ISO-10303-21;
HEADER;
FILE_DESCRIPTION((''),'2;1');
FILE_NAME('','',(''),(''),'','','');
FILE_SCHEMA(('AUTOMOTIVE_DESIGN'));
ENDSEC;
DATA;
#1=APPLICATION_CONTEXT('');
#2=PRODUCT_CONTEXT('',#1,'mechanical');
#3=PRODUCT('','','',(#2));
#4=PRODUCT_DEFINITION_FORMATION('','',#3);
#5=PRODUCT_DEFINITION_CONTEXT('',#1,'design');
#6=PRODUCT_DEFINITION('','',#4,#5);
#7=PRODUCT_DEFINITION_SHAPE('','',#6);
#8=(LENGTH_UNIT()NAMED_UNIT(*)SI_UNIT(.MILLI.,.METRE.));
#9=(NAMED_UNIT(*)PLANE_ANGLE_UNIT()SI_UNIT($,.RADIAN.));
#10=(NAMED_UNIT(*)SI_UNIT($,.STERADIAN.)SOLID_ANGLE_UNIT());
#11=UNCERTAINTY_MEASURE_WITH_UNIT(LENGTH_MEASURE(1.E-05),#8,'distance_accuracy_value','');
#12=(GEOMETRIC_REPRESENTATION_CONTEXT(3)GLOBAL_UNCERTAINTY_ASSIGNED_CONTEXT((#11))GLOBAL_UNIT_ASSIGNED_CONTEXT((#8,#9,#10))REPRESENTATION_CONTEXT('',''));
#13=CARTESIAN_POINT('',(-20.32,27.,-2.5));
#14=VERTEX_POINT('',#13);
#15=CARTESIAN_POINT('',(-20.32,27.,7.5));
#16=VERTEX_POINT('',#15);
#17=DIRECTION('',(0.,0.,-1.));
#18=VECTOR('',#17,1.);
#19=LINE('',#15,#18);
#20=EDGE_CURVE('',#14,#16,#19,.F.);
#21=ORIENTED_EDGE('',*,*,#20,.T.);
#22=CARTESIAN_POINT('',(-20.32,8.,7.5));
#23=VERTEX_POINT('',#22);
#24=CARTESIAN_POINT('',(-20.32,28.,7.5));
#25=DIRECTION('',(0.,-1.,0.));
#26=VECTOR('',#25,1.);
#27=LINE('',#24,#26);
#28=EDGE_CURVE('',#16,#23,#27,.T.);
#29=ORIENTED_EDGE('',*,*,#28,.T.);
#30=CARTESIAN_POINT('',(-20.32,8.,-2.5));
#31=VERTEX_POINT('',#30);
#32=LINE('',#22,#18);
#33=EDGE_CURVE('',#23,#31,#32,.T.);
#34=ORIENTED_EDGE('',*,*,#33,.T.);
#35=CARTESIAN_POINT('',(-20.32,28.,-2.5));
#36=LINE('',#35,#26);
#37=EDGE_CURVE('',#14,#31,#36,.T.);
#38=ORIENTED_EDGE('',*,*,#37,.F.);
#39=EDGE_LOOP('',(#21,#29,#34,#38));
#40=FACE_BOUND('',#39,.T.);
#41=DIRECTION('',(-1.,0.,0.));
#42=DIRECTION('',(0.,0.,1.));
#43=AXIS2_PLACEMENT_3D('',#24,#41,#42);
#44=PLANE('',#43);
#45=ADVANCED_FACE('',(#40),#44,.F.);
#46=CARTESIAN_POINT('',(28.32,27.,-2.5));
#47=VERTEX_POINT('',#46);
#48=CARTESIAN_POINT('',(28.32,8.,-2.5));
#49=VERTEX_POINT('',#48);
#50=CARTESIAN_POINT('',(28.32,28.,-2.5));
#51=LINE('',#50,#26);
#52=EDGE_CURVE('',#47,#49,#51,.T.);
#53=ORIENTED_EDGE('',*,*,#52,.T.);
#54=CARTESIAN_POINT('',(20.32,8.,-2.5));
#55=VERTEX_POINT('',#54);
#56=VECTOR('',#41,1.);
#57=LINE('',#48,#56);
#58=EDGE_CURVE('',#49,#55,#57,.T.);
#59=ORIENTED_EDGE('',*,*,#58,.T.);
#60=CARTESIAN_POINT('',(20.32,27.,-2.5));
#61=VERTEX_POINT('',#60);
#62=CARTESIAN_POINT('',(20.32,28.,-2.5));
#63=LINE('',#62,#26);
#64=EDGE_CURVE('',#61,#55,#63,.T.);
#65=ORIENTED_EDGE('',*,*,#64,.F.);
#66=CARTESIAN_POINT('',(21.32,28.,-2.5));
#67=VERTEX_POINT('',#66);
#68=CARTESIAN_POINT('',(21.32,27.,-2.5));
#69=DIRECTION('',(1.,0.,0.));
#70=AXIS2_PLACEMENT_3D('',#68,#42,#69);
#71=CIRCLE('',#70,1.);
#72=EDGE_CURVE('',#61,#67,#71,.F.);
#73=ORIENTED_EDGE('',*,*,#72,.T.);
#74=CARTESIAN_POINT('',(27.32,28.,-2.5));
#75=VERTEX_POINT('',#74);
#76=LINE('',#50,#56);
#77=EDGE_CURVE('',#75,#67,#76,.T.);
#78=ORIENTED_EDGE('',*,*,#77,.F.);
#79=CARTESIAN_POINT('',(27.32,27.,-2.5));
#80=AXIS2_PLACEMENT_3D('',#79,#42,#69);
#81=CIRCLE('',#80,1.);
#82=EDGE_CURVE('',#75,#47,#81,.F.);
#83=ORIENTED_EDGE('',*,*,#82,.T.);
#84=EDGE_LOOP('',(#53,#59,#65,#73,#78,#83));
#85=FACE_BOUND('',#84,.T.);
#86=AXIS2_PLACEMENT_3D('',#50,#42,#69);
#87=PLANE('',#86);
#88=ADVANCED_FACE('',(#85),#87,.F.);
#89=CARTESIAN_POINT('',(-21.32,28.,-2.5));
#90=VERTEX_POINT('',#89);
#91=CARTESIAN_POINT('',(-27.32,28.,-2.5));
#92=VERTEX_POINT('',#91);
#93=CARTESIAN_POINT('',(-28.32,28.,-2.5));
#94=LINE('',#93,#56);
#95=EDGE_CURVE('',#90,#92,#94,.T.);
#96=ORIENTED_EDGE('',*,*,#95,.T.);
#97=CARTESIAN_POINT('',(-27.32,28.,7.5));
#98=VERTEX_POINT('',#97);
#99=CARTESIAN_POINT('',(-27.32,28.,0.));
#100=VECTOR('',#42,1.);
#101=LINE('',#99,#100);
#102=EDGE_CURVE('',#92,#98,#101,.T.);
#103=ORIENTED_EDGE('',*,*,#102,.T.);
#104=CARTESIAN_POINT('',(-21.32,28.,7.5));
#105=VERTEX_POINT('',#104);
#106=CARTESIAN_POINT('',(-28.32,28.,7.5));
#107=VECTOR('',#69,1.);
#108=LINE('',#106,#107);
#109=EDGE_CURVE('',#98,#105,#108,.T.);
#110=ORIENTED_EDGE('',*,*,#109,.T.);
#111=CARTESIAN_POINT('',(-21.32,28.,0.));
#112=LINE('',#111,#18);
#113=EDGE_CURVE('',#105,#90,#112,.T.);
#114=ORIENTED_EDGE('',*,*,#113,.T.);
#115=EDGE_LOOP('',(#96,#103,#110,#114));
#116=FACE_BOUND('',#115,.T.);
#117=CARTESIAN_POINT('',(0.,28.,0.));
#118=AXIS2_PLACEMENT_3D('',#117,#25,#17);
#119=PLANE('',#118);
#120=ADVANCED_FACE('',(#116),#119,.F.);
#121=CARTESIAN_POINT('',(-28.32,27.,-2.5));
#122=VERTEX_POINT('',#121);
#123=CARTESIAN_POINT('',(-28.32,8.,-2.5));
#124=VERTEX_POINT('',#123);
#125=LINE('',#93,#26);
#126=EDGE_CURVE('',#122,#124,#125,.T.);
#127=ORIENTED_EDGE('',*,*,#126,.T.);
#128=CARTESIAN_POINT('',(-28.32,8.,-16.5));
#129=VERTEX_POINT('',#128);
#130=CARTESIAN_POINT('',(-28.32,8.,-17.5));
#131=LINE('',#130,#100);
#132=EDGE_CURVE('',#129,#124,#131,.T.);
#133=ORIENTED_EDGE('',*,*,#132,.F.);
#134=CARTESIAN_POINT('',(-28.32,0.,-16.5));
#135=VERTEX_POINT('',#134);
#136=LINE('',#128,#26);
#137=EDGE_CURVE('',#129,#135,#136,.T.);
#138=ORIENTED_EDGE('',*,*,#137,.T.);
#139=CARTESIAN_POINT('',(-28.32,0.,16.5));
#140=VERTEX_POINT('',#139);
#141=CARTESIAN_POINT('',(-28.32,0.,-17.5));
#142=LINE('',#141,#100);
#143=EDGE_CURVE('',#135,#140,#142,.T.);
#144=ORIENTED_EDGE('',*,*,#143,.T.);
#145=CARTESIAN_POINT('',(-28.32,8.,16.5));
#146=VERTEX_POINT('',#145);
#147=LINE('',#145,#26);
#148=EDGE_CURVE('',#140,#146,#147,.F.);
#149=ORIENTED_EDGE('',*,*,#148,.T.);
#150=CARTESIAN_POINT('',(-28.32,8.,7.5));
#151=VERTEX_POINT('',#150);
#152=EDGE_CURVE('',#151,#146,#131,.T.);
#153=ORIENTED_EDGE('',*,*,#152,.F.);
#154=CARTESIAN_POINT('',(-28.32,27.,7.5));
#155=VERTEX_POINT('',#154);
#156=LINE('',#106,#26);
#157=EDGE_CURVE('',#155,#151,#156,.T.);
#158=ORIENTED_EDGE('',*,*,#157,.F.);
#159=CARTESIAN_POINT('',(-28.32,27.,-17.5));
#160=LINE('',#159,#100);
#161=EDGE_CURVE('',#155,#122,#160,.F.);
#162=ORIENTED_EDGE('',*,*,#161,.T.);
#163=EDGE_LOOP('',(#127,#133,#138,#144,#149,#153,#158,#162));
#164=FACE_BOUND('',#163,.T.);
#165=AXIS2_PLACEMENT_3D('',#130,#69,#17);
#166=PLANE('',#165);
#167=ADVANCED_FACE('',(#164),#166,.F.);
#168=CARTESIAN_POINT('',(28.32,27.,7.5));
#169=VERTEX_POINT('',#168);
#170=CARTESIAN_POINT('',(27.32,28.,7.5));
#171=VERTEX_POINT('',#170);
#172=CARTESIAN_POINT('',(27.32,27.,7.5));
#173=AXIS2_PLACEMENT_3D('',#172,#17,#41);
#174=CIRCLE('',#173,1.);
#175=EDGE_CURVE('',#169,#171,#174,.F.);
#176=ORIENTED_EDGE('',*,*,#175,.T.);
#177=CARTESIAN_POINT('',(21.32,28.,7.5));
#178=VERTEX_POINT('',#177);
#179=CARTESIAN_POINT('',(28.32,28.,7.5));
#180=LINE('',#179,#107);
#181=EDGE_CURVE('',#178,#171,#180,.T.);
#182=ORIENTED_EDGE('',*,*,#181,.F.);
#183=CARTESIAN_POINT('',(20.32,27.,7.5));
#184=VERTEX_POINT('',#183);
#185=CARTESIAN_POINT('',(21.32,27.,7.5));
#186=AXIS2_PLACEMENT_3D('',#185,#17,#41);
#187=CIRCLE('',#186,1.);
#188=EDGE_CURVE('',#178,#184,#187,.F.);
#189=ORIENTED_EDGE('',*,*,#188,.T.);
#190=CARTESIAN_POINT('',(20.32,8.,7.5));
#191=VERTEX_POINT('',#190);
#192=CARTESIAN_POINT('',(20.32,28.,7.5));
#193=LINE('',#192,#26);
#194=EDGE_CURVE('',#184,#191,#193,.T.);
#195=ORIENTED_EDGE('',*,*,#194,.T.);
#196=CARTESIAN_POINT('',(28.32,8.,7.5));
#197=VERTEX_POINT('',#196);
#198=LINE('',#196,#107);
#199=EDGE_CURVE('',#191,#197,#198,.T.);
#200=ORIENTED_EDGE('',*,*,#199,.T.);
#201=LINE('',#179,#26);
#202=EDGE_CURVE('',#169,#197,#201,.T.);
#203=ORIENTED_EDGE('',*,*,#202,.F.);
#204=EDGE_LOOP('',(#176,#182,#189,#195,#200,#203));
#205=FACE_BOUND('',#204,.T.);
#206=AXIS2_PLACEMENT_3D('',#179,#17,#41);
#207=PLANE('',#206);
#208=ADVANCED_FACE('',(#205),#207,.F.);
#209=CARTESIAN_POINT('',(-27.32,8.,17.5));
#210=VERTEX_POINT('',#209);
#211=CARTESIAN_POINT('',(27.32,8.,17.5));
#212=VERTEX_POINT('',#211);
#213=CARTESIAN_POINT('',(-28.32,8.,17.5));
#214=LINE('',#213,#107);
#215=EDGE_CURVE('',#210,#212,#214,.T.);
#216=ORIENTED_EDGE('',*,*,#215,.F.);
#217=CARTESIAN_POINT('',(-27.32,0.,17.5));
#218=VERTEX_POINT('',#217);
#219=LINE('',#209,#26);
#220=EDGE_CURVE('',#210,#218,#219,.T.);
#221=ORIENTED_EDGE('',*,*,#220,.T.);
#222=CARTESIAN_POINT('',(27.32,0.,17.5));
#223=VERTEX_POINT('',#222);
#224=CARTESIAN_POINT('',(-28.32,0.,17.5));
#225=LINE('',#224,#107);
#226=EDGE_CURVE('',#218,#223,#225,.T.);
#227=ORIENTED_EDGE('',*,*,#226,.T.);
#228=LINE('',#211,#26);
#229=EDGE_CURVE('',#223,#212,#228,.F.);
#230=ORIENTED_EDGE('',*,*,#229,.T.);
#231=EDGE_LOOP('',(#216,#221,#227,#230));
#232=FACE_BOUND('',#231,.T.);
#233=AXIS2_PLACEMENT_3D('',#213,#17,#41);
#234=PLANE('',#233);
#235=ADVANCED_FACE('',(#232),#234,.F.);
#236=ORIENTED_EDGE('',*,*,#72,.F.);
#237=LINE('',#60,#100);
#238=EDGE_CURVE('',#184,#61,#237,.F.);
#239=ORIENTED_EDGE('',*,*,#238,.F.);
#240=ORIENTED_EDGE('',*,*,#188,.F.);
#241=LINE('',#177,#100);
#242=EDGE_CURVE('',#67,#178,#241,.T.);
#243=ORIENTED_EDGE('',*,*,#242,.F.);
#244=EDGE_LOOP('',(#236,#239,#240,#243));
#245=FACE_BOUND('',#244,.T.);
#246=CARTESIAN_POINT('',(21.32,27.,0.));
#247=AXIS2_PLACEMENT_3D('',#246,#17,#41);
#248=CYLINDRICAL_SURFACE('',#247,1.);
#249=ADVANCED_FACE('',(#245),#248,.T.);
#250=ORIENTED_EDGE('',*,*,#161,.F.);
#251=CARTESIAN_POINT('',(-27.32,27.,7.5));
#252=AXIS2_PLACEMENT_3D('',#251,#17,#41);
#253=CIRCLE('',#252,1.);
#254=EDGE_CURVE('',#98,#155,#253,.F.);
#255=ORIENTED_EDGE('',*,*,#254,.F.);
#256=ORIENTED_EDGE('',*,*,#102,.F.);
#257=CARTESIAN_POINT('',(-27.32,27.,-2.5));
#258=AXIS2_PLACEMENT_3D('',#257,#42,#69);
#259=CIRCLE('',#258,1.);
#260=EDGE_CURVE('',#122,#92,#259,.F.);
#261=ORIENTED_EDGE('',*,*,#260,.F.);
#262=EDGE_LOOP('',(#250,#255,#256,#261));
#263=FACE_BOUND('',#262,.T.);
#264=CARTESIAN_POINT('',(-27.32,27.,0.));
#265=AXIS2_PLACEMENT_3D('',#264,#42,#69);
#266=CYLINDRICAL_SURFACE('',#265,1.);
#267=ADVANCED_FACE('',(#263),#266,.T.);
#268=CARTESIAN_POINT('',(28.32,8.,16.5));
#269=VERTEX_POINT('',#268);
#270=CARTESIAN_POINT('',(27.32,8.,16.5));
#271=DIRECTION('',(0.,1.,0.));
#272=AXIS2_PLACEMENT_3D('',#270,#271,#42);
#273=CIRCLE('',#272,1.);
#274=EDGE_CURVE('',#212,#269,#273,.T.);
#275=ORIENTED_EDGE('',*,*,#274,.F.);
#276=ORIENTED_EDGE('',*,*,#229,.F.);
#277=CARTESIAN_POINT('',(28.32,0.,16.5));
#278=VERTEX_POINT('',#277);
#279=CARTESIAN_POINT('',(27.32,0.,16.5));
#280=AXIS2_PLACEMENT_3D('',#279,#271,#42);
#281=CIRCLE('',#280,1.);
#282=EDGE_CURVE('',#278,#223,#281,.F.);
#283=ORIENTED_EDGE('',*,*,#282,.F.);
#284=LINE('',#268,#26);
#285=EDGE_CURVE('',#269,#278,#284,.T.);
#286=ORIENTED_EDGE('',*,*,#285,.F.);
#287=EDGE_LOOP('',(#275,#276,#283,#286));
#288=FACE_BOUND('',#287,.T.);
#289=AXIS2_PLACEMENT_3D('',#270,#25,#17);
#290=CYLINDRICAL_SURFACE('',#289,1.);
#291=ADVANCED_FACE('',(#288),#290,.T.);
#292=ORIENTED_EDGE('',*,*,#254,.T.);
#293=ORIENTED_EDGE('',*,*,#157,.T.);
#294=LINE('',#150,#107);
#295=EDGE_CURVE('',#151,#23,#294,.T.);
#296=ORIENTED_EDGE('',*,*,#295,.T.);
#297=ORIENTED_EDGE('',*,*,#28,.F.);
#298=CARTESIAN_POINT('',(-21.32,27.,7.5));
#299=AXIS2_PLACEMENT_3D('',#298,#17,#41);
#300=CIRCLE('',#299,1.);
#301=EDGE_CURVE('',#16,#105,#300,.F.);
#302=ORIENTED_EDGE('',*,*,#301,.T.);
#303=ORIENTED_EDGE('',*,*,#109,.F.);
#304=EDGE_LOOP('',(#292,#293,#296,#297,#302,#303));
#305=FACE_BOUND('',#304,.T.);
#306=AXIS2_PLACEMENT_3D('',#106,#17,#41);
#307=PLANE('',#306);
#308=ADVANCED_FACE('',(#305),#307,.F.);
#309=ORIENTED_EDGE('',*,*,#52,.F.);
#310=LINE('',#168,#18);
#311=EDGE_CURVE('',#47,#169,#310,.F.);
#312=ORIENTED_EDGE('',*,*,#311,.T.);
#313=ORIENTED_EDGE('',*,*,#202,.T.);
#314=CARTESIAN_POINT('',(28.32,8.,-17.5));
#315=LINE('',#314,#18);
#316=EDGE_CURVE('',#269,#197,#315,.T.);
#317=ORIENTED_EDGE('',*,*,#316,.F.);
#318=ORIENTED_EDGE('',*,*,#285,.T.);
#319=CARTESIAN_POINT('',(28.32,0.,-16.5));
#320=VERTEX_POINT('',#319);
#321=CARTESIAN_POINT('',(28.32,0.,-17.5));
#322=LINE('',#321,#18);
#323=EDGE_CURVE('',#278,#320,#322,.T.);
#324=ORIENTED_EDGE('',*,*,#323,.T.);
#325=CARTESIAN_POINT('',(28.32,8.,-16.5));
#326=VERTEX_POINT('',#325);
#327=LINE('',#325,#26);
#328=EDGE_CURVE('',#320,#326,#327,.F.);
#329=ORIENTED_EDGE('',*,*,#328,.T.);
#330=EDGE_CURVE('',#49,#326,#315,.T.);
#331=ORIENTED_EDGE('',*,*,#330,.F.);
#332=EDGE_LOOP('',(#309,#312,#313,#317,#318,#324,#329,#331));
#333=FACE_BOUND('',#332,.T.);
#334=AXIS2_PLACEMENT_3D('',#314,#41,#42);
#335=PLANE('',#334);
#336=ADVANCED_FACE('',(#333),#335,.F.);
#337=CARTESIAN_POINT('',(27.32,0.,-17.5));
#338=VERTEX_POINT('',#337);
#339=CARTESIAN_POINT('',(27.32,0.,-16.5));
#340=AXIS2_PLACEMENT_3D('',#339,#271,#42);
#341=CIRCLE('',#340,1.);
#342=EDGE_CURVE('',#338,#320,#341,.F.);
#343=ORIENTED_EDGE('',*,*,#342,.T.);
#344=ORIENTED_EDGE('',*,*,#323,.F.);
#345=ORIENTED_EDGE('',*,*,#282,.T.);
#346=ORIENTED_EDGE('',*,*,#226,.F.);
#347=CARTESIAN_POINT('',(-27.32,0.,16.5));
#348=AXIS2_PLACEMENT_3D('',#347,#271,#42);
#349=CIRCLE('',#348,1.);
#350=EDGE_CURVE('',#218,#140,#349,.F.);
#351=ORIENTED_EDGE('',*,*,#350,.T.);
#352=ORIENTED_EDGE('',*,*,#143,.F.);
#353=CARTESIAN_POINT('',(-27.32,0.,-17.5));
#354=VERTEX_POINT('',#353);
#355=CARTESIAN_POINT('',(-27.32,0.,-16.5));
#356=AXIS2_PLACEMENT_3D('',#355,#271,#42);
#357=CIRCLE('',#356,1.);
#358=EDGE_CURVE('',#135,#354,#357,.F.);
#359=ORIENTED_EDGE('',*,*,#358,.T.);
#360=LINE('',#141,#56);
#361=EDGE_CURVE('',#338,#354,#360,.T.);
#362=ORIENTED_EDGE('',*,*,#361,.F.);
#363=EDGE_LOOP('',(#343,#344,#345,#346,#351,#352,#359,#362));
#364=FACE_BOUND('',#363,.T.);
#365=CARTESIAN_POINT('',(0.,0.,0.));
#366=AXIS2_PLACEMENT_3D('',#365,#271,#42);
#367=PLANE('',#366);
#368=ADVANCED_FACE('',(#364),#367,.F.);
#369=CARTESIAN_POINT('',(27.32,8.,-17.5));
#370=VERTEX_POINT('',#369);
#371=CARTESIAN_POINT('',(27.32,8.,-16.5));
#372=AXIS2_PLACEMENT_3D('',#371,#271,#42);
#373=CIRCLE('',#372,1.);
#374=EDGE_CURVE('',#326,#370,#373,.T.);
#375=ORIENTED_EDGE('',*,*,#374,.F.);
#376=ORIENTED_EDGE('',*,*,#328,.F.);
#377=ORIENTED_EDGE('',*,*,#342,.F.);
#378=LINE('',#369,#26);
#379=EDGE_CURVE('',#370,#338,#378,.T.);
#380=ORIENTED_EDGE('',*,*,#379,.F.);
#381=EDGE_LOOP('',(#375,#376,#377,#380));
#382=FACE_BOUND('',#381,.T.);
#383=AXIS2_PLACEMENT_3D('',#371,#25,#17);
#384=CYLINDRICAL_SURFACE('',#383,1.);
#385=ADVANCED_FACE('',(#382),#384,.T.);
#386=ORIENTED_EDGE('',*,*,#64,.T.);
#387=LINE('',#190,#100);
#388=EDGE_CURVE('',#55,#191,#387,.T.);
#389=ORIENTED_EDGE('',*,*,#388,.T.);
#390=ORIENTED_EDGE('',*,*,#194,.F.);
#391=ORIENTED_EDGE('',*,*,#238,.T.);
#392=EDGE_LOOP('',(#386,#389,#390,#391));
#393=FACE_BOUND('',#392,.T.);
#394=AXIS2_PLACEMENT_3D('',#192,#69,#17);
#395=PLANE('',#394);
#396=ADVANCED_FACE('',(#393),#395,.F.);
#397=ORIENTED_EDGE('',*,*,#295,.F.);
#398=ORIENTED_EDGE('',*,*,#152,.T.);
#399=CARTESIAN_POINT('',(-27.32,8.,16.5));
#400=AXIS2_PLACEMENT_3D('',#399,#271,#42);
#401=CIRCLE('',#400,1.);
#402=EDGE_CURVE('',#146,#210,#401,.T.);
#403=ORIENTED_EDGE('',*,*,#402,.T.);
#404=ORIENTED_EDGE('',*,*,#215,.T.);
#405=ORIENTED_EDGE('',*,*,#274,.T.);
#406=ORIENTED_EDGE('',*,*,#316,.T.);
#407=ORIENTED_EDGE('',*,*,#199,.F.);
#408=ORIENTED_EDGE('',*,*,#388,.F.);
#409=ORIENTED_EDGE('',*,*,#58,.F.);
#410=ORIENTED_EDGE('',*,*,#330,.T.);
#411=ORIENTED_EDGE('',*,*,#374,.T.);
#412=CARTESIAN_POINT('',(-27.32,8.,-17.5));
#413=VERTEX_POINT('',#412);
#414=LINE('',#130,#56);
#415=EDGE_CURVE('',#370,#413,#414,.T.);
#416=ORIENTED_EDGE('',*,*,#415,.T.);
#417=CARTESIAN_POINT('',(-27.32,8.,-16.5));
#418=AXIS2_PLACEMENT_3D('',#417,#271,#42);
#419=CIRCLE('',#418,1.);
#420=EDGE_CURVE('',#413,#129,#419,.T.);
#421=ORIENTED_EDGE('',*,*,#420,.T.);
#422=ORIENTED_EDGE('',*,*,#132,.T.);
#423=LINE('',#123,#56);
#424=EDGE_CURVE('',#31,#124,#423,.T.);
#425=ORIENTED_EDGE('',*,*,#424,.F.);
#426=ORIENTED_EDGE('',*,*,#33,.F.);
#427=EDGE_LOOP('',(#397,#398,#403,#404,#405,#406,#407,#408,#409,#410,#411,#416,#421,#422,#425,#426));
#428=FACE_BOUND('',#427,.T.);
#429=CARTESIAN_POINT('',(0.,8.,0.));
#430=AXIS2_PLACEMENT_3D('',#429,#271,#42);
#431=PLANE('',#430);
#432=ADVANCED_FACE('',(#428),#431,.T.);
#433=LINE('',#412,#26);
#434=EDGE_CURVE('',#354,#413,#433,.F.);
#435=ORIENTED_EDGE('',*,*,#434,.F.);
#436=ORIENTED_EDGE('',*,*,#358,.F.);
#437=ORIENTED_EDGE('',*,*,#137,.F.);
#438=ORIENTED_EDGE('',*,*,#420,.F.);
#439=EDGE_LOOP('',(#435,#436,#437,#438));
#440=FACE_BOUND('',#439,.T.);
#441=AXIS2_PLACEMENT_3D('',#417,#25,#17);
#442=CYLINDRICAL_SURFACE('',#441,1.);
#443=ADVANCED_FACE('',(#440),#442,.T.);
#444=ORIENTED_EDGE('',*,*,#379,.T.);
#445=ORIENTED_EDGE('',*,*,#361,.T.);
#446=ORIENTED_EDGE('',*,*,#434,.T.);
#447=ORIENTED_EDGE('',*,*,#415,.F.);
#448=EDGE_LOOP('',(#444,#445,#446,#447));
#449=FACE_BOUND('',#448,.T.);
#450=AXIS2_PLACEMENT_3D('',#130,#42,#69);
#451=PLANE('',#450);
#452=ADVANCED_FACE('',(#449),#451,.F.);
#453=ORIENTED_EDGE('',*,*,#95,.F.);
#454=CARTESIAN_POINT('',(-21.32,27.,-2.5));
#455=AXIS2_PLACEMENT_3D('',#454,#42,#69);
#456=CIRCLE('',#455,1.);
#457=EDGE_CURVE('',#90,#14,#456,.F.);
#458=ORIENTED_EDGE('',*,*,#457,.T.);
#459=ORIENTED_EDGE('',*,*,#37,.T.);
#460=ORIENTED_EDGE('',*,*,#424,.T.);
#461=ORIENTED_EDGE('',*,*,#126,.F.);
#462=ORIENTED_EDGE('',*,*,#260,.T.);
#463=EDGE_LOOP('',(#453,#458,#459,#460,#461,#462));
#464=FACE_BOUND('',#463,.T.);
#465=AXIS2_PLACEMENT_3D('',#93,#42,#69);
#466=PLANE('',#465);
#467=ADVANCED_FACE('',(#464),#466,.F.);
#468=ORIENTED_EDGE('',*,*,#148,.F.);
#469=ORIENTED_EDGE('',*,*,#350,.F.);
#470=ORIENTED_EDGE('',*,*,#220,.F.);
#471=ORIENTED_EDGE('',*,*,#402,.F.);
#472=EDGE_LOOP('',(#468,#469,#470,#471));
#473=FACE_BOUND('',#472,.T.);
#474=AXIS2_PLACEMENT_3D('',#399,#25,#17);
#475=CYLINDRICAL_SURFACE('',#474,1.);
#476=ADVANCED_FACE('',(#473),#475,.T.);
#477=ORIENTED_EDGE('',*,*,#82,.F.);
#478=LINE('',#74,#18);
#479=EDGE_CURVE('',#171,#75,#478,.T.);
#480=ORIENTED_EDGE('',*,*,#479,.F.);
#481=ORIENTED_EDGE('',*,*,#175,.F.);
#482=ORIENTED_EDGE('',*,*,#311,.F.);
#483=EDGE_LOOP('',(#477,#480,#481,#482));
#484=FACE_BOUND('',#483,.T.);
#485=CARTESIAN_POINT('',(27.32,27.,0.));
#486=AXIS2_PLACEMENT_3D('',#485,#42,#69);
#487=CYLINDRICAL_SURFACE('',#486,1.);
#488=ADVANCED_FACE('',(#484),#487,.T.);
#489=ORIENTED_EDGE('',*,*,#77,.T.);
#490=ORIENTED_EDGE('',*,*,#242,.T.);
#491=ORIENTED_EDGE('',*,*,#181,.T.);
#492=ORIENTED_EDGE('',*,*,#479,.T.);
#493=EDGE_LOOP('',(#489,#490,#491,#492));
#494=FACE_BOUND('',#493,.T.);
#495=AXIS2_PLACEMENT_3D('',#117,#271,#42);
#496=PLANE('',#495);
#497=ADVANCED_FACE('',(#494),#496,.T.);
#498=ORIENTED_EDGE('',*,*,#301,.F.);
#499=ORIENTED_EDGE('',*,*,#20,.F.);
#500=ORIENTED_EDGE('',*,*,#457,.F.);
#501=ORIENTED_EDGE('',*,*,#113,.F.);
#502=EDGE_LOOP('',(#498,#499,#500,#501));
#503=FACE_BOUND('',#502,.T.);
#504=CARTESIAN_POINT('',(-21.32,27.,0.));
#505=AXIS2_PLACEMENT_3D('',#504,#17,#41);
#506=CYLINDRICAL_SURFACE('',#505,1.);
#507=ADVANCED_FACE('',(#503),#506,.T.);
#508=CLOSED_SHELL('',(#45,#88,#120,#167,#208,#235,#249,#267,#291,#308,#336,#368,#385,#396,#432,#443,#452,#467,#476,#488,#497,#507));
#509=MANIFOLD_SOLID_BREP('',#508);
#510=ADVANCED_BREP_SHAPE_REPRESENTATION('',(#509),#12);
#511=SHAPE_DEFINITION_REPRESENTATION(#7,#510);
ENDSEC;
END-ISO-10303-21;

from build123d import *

# Parameters (mm, degrees)
SKETCH1_W           = 56.64
SKETCH1_H           = 35
BOSS_EXTRUDE1_DEPTH = 8
SKETCH2_W           = 8
SKETCH2_H           = 10
BOSS_EXTRUDE2_DEPTH = 20
FILLET1_R           = 1


with BuildPart() as part:
    # Sketch1 → Boss-Extrude1 (new body)
    with BuildSketch(Plane(origin=(0, 0, 0), x_dir=(1, 0, 0), z_dir=(0, 1, 0))):
        Rectangle(SKETCH1_W, SKETCH1_H)
    extrude(amount=BOSS_EXTRUDE1_DEPTH)

    # Sketch2 → Boss-Extrude2 (add)
    with BuildSketch(Plane(origin=(0, 8, 0), x_dir=(1, 0, 0), z_dir=(0, 1, 0))):
        with Locations((-24.32, -2.5)):
            Rectangle(SKETCH2_W, SKETCH2_H)
        with Locations((24.32, -2.5)):
            Rectangle(SKETCH2_W, SKETCH2_H)
    extrude(amount=BOSS_EXTRUDE2_DEPTH)

    # Fillet1
    fillet1_edges = [part.edges().sort_by_distance(p)[0] for p in [
        (-28.32, 28, 2.5),
        (-20.32, 28, 2.5),
        (28.32, 28, 2.5),
        (20.32, 28, 2.5),
        (28.32, 4, 17.5),
        (-28.32, 4, 17.5),
        (-28.32, 4, -17.5),
        (28.32, 4, -17.5),
    ]]
    fillet(fillet1_edges, radius=FILLET1_R)


solid = part.part
